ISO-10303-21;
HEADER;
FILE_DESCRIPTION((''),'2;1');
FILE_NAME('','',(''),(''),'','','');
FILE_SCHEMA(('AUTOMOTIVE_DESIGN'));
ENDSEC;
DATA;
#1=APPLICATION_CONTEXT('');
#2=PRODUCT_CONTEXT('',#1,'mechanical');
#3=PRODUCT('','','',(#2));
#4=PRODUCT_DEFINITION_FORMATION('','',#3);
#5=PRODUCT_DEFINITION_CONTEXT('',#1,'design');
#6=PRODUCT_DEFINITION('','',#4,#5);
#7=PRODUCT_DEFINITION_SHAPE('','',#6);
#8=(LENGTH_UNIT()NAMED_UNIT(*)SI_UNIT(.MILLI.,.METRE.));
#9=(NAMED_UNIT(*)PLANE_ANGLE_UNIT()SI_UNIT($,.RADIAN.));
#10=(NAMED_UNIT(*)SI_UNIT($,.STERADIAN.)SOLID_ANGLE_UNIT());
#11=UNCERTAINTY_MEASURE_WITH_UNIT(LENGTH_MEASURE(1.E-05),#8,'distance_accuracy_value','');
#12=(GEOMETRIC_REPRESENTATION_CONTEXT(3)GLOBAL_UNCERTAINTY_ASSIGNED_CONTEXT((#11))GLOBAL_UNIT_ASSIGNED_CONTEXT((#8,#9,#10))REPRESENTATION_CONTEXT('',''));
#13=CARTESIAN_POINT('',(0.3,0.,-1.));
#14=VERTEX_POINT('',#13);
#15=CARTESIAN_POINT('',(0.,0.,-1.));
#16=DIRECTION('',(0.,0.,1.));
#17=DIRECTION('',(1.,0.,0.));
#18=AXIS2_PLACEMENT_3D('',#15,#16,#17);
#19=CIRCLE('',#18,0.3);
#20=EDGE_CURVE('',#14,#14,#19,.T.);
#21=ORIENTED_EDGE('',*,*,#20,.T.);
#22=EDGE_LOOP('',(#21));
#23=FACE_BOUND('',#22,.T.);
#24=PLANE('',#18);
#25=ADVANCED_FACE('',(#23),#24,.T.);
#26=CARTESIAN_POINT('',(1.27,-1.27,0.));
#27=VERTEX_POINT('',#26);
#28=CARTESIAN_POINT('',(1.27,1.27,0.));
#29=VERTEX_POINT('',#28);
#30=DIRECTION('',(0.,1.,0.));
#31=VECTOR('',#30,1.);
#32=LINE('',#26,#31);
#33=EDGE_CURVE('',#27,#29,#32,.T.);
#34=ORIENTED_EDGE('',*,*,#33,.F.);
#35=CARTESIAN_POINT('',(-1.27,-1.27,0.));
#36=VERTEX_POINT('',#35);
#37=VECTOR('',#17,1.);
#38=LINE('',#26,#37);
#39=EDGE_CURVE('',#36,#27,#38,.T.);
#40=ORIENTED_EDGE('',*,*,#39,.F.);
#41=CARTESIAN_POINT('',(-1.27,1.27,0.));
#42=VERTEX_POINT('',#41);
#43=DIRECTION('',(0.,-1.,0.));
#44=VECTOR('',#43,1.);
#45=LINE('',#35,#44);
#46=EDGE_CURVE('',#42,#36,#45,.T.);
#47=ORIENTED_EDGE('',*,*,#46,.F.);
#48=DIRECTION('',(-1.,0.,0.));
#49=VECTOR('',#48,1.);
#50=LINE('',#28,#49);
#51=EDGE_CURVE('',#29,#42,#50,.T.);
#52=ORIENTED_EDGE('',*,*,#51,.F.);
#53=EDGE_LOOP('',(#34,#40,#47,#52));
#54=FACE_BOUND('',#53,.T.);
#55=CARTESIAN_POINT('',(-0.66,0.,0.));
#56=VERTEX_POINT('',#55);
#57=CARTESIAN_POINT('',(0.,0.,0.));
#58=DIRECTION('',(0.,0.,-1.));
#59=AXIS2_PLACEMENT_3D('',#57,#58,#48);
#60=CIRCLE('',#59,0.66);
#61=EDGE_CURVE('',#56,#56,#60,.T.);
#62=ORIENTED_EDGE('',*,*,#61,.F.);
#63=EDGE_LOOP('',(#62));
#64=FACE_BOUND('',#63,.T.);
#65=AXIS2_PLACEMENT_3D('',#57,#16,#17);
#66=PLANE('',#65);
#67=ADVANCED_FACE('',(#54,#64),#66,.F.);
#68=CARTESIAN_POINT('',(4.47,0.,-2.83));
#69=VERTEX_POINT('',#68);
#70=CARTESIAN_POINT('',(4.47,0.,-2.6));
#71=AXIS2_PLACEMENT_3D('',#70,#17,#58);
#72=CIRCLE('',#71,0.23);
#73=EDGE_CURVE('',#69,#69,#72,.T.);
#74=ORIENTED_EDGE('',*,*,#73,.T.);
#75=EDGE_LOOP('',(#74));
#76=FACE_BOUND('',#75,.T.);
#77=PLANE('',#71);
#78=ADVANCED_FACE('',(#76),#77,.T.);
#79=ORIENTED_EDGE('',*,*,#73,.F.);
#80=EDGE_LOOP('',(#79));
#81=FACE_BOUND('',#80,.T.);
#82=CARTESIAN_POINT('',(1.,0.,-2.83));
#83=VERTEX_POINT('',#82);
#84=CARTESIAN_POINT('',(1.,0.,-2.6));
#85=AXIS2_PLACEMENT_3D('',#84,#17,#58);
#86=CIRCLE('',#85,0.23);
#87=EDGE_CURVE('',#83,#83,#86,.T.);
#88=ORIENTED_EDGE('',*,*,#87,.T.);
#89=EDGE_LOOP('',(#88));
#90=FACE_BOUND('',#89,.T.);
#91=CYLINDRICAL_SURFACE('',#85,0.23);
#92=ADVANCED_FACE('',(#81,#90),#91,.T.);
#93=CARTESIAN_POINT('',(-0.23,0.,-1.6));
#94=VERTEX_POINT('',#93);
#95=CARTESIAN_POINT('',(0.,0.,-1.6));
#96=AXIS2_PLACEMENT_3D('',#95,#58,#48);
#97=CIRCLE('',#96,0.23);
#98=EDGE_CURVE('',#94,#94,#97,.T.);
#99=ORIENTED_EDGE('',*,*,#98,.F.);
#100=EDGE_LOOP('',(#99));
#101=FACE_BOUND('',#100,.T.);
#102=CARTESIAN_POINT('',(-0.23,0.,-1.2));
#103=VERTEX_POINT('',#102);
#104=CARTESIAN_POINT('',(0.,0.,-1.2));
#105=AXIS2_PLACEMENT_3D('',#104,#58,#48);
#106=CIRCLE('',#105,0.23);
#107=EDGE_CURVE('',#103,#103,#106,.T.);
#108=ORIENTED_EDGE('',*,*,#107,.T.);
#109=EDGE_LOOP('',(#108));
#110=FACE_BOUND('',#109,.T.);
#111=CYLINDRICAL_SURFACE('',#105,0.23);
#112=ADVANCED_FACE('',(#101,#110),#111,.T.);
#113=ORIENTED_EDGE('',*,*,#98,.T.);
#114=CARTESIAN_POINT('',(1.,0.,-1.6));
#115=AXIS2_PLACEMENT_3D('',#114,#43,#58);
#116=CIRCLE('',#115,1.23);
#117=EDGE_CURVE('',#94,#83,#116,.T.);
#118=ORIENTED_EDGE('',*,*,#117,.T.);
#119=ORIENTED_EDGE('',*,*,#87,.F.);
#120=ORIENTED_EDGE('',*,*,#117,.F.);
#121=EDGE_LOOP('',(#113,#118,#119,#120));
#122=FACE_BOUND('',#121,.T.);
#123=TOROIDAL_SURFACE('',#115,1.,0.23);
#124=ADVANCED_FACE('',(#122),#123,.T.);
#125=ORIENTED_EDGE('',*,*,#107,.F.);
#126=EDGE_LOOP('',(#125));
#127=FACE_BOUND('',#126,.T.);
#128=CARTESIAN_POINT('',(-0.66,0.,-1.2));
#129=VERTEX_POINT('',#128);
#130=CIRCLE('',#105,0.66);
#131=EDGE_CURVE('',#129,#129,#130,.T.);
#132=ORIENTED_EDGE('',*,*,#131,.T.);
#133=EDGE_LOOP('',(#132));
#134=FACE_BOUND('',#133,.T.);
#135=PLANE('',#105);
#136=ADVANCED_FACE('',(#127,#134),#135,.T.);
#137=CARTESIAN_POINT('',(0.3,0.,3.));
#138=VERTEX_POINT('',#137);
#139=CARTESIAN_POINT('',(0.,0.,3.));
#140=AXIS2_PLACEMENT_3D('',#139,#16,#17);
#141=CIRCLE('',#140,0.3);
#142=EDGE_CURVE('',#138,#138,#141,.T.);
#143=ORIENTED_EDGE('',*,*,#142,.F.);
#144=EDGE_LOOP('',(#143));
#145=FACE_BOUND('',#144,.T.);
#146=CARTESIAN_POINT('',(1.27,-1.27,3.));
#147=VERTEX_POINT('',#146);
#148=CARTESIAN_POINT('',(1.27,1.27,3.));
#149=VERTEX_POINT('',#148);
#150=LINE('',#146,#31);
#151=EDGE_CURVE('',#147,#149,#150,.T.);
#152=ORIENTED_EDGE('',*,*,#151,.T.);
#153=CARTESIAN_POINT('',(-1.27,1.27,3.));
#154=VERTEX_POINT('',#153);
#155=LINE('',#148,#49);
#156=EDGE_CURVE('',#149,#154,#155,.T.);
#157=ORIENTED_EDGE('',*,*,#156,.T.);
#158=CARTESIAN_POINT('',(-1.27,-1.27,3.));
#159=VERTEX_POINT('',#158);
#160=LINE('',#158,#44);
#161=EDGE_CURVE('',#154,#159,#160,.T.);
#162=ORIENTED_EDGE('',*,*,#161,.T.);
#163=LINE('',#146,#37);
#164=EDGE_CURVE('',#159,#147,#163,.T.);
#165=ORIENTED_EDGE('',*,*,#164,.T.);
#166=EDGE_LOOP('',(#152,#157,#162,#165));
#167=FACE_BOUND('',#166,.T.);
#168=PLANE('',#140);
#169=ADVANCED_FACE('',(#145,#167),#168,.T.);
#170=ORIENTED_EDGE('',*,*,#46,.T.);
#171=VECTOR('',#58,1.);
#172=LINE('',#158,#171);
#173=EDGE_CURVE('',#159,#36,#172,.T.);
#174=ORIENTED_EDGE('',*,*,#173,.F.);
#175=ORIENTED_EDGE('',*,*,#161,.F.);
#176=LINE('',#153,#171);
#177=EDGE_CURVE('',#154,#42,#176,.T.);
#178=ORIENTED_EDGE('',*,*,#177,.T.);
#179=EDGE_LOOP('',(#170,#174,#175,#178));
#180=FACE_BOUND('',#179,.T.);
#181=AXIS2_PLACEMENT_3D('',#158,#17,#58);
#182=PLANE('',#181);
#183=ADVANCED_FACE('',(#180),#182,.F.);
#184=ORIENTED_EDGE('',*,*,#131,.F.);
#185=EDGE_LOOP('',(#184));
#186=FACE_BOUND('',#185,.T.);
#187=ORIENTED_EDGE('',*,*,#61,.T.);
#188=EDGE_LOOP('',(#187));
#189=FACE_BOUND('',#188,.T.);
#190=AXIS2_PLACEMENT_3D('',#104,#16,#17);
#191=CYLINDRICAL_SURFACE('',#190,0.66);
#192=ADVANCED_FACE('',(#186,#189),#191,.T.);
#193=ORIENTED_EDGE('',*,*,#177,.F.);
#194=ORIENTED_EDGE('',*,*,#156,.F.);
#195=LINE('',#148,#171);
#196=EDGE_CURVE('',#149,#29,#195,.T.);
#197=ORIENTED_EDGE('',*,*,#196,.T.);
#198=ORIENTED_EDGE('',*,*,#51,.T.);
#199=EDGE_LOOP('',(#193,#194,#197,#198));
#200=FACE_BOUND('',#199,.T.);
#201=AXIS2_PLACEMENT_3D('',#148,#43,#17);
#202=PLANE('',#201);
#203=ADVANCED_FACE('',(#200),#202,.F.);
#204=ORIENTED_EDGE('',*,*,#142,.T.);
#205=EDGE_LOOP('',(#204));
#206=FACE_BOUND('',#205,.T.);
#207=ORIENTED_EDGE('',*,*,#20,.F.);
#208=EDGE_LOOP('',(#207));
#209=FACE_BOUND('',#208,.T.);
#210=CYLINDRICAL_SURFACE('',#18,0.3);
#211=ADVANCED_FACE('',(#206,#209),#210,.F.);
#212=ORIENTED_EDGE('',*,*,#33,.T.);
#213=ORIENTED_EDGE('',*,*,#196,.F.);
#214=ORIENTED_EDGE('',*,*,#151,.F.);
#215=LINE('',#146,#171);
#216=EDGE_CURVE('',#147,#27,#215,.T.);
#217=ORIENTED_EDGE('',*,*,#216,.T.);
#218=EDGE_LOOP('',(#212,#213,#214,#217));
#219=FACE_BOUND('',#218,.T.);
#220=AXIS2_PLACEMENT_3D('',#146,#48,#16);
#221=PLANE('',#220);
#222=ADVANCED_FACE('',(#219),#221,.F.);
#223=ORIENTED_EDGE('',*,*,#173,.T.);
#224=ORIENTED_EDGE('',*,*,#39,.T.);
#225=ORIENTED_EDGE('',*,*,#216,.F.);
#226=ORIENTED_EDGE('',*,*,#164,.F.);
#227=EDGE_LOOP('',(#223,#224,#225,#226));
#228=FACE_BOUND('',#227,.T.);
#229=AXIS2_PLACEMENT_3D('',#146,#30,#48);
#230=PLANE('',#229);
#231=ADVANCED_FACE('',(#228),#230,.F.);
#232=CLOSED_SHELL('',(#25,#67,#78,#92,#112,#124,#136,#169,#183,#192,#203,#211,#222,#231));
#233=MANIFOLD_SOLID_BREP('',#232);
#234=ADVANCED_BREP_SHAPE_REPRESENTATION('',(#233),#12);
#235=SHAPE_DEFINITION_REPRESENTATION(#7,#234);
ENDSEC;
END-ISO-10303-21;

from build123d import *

# Parameters (mm, degrees)
SKETCH1_W           = 2.54
SKETCH1_H           = 2.54
BOSS_EXTRUDE1_DEPTH = 3
SKETCH2_R           = 0.66
BOSS_EXTRUDE2_DEPTH = 1.2
SKETCH4_R           = 0.3
CUT_EXTRUDE1_DEPTH  = 4
SKETCH3_R           = 0.23


with BuildPart() as part:
    # Sketch1 → Boss-Extrude1 (new body)
    with BuildSketch(Plane.XY):
        Rectangle(SKETCH1_W, SKETCH1_H)
    extrude(amount=BOSS_EXTRUDE1_DEPTH)

    # Sketch2 → Boss-Extrude2 (add)
    with BuildSketch(Plane(origin=(0, 0, 0), x_dir=(-1, 0, 0), z_dir=(0, 0, -1))):
        Circle(SKETCH2_R)
    extrude(amount=BOSS_EXTRUDE2_DEPTH)

    # Sketch4 → Cut-Extrude1 (cut)
    with BuildSketch(Plane.XY.offset(3)):
        Circle(SKETCH4_R)
    extrude(amount=-CUT_EXTRUDE1_DEPTH, mode=Mode.SUBTRACT)

    # Sweep1: sweep along a path in Sketch5
    with BuildLine(Plane(origin=(0, 0, 0), x_dir=(1, 0, 0), z_dir=(0, 1, 0))) as sweep1_path:
        Line((0, 1.2), (0, 1.6))
        ThreePointArc((0, 1.6), (0.292893219, 2.307106781), (1, 2.6))
        Line((1, 2.6), (4.47, 2.6))
    # Sketch3 → Sweep1 (sweep)
    with BuildSketch(Plane(origin=(0, 0, -1.2), x_dir=(-1, 0, 0), z_dir=(0, 0, -1))):
        Circle(SKETCH3_R)
    sweep(path=sweep1_path.line)


solid = part.part
